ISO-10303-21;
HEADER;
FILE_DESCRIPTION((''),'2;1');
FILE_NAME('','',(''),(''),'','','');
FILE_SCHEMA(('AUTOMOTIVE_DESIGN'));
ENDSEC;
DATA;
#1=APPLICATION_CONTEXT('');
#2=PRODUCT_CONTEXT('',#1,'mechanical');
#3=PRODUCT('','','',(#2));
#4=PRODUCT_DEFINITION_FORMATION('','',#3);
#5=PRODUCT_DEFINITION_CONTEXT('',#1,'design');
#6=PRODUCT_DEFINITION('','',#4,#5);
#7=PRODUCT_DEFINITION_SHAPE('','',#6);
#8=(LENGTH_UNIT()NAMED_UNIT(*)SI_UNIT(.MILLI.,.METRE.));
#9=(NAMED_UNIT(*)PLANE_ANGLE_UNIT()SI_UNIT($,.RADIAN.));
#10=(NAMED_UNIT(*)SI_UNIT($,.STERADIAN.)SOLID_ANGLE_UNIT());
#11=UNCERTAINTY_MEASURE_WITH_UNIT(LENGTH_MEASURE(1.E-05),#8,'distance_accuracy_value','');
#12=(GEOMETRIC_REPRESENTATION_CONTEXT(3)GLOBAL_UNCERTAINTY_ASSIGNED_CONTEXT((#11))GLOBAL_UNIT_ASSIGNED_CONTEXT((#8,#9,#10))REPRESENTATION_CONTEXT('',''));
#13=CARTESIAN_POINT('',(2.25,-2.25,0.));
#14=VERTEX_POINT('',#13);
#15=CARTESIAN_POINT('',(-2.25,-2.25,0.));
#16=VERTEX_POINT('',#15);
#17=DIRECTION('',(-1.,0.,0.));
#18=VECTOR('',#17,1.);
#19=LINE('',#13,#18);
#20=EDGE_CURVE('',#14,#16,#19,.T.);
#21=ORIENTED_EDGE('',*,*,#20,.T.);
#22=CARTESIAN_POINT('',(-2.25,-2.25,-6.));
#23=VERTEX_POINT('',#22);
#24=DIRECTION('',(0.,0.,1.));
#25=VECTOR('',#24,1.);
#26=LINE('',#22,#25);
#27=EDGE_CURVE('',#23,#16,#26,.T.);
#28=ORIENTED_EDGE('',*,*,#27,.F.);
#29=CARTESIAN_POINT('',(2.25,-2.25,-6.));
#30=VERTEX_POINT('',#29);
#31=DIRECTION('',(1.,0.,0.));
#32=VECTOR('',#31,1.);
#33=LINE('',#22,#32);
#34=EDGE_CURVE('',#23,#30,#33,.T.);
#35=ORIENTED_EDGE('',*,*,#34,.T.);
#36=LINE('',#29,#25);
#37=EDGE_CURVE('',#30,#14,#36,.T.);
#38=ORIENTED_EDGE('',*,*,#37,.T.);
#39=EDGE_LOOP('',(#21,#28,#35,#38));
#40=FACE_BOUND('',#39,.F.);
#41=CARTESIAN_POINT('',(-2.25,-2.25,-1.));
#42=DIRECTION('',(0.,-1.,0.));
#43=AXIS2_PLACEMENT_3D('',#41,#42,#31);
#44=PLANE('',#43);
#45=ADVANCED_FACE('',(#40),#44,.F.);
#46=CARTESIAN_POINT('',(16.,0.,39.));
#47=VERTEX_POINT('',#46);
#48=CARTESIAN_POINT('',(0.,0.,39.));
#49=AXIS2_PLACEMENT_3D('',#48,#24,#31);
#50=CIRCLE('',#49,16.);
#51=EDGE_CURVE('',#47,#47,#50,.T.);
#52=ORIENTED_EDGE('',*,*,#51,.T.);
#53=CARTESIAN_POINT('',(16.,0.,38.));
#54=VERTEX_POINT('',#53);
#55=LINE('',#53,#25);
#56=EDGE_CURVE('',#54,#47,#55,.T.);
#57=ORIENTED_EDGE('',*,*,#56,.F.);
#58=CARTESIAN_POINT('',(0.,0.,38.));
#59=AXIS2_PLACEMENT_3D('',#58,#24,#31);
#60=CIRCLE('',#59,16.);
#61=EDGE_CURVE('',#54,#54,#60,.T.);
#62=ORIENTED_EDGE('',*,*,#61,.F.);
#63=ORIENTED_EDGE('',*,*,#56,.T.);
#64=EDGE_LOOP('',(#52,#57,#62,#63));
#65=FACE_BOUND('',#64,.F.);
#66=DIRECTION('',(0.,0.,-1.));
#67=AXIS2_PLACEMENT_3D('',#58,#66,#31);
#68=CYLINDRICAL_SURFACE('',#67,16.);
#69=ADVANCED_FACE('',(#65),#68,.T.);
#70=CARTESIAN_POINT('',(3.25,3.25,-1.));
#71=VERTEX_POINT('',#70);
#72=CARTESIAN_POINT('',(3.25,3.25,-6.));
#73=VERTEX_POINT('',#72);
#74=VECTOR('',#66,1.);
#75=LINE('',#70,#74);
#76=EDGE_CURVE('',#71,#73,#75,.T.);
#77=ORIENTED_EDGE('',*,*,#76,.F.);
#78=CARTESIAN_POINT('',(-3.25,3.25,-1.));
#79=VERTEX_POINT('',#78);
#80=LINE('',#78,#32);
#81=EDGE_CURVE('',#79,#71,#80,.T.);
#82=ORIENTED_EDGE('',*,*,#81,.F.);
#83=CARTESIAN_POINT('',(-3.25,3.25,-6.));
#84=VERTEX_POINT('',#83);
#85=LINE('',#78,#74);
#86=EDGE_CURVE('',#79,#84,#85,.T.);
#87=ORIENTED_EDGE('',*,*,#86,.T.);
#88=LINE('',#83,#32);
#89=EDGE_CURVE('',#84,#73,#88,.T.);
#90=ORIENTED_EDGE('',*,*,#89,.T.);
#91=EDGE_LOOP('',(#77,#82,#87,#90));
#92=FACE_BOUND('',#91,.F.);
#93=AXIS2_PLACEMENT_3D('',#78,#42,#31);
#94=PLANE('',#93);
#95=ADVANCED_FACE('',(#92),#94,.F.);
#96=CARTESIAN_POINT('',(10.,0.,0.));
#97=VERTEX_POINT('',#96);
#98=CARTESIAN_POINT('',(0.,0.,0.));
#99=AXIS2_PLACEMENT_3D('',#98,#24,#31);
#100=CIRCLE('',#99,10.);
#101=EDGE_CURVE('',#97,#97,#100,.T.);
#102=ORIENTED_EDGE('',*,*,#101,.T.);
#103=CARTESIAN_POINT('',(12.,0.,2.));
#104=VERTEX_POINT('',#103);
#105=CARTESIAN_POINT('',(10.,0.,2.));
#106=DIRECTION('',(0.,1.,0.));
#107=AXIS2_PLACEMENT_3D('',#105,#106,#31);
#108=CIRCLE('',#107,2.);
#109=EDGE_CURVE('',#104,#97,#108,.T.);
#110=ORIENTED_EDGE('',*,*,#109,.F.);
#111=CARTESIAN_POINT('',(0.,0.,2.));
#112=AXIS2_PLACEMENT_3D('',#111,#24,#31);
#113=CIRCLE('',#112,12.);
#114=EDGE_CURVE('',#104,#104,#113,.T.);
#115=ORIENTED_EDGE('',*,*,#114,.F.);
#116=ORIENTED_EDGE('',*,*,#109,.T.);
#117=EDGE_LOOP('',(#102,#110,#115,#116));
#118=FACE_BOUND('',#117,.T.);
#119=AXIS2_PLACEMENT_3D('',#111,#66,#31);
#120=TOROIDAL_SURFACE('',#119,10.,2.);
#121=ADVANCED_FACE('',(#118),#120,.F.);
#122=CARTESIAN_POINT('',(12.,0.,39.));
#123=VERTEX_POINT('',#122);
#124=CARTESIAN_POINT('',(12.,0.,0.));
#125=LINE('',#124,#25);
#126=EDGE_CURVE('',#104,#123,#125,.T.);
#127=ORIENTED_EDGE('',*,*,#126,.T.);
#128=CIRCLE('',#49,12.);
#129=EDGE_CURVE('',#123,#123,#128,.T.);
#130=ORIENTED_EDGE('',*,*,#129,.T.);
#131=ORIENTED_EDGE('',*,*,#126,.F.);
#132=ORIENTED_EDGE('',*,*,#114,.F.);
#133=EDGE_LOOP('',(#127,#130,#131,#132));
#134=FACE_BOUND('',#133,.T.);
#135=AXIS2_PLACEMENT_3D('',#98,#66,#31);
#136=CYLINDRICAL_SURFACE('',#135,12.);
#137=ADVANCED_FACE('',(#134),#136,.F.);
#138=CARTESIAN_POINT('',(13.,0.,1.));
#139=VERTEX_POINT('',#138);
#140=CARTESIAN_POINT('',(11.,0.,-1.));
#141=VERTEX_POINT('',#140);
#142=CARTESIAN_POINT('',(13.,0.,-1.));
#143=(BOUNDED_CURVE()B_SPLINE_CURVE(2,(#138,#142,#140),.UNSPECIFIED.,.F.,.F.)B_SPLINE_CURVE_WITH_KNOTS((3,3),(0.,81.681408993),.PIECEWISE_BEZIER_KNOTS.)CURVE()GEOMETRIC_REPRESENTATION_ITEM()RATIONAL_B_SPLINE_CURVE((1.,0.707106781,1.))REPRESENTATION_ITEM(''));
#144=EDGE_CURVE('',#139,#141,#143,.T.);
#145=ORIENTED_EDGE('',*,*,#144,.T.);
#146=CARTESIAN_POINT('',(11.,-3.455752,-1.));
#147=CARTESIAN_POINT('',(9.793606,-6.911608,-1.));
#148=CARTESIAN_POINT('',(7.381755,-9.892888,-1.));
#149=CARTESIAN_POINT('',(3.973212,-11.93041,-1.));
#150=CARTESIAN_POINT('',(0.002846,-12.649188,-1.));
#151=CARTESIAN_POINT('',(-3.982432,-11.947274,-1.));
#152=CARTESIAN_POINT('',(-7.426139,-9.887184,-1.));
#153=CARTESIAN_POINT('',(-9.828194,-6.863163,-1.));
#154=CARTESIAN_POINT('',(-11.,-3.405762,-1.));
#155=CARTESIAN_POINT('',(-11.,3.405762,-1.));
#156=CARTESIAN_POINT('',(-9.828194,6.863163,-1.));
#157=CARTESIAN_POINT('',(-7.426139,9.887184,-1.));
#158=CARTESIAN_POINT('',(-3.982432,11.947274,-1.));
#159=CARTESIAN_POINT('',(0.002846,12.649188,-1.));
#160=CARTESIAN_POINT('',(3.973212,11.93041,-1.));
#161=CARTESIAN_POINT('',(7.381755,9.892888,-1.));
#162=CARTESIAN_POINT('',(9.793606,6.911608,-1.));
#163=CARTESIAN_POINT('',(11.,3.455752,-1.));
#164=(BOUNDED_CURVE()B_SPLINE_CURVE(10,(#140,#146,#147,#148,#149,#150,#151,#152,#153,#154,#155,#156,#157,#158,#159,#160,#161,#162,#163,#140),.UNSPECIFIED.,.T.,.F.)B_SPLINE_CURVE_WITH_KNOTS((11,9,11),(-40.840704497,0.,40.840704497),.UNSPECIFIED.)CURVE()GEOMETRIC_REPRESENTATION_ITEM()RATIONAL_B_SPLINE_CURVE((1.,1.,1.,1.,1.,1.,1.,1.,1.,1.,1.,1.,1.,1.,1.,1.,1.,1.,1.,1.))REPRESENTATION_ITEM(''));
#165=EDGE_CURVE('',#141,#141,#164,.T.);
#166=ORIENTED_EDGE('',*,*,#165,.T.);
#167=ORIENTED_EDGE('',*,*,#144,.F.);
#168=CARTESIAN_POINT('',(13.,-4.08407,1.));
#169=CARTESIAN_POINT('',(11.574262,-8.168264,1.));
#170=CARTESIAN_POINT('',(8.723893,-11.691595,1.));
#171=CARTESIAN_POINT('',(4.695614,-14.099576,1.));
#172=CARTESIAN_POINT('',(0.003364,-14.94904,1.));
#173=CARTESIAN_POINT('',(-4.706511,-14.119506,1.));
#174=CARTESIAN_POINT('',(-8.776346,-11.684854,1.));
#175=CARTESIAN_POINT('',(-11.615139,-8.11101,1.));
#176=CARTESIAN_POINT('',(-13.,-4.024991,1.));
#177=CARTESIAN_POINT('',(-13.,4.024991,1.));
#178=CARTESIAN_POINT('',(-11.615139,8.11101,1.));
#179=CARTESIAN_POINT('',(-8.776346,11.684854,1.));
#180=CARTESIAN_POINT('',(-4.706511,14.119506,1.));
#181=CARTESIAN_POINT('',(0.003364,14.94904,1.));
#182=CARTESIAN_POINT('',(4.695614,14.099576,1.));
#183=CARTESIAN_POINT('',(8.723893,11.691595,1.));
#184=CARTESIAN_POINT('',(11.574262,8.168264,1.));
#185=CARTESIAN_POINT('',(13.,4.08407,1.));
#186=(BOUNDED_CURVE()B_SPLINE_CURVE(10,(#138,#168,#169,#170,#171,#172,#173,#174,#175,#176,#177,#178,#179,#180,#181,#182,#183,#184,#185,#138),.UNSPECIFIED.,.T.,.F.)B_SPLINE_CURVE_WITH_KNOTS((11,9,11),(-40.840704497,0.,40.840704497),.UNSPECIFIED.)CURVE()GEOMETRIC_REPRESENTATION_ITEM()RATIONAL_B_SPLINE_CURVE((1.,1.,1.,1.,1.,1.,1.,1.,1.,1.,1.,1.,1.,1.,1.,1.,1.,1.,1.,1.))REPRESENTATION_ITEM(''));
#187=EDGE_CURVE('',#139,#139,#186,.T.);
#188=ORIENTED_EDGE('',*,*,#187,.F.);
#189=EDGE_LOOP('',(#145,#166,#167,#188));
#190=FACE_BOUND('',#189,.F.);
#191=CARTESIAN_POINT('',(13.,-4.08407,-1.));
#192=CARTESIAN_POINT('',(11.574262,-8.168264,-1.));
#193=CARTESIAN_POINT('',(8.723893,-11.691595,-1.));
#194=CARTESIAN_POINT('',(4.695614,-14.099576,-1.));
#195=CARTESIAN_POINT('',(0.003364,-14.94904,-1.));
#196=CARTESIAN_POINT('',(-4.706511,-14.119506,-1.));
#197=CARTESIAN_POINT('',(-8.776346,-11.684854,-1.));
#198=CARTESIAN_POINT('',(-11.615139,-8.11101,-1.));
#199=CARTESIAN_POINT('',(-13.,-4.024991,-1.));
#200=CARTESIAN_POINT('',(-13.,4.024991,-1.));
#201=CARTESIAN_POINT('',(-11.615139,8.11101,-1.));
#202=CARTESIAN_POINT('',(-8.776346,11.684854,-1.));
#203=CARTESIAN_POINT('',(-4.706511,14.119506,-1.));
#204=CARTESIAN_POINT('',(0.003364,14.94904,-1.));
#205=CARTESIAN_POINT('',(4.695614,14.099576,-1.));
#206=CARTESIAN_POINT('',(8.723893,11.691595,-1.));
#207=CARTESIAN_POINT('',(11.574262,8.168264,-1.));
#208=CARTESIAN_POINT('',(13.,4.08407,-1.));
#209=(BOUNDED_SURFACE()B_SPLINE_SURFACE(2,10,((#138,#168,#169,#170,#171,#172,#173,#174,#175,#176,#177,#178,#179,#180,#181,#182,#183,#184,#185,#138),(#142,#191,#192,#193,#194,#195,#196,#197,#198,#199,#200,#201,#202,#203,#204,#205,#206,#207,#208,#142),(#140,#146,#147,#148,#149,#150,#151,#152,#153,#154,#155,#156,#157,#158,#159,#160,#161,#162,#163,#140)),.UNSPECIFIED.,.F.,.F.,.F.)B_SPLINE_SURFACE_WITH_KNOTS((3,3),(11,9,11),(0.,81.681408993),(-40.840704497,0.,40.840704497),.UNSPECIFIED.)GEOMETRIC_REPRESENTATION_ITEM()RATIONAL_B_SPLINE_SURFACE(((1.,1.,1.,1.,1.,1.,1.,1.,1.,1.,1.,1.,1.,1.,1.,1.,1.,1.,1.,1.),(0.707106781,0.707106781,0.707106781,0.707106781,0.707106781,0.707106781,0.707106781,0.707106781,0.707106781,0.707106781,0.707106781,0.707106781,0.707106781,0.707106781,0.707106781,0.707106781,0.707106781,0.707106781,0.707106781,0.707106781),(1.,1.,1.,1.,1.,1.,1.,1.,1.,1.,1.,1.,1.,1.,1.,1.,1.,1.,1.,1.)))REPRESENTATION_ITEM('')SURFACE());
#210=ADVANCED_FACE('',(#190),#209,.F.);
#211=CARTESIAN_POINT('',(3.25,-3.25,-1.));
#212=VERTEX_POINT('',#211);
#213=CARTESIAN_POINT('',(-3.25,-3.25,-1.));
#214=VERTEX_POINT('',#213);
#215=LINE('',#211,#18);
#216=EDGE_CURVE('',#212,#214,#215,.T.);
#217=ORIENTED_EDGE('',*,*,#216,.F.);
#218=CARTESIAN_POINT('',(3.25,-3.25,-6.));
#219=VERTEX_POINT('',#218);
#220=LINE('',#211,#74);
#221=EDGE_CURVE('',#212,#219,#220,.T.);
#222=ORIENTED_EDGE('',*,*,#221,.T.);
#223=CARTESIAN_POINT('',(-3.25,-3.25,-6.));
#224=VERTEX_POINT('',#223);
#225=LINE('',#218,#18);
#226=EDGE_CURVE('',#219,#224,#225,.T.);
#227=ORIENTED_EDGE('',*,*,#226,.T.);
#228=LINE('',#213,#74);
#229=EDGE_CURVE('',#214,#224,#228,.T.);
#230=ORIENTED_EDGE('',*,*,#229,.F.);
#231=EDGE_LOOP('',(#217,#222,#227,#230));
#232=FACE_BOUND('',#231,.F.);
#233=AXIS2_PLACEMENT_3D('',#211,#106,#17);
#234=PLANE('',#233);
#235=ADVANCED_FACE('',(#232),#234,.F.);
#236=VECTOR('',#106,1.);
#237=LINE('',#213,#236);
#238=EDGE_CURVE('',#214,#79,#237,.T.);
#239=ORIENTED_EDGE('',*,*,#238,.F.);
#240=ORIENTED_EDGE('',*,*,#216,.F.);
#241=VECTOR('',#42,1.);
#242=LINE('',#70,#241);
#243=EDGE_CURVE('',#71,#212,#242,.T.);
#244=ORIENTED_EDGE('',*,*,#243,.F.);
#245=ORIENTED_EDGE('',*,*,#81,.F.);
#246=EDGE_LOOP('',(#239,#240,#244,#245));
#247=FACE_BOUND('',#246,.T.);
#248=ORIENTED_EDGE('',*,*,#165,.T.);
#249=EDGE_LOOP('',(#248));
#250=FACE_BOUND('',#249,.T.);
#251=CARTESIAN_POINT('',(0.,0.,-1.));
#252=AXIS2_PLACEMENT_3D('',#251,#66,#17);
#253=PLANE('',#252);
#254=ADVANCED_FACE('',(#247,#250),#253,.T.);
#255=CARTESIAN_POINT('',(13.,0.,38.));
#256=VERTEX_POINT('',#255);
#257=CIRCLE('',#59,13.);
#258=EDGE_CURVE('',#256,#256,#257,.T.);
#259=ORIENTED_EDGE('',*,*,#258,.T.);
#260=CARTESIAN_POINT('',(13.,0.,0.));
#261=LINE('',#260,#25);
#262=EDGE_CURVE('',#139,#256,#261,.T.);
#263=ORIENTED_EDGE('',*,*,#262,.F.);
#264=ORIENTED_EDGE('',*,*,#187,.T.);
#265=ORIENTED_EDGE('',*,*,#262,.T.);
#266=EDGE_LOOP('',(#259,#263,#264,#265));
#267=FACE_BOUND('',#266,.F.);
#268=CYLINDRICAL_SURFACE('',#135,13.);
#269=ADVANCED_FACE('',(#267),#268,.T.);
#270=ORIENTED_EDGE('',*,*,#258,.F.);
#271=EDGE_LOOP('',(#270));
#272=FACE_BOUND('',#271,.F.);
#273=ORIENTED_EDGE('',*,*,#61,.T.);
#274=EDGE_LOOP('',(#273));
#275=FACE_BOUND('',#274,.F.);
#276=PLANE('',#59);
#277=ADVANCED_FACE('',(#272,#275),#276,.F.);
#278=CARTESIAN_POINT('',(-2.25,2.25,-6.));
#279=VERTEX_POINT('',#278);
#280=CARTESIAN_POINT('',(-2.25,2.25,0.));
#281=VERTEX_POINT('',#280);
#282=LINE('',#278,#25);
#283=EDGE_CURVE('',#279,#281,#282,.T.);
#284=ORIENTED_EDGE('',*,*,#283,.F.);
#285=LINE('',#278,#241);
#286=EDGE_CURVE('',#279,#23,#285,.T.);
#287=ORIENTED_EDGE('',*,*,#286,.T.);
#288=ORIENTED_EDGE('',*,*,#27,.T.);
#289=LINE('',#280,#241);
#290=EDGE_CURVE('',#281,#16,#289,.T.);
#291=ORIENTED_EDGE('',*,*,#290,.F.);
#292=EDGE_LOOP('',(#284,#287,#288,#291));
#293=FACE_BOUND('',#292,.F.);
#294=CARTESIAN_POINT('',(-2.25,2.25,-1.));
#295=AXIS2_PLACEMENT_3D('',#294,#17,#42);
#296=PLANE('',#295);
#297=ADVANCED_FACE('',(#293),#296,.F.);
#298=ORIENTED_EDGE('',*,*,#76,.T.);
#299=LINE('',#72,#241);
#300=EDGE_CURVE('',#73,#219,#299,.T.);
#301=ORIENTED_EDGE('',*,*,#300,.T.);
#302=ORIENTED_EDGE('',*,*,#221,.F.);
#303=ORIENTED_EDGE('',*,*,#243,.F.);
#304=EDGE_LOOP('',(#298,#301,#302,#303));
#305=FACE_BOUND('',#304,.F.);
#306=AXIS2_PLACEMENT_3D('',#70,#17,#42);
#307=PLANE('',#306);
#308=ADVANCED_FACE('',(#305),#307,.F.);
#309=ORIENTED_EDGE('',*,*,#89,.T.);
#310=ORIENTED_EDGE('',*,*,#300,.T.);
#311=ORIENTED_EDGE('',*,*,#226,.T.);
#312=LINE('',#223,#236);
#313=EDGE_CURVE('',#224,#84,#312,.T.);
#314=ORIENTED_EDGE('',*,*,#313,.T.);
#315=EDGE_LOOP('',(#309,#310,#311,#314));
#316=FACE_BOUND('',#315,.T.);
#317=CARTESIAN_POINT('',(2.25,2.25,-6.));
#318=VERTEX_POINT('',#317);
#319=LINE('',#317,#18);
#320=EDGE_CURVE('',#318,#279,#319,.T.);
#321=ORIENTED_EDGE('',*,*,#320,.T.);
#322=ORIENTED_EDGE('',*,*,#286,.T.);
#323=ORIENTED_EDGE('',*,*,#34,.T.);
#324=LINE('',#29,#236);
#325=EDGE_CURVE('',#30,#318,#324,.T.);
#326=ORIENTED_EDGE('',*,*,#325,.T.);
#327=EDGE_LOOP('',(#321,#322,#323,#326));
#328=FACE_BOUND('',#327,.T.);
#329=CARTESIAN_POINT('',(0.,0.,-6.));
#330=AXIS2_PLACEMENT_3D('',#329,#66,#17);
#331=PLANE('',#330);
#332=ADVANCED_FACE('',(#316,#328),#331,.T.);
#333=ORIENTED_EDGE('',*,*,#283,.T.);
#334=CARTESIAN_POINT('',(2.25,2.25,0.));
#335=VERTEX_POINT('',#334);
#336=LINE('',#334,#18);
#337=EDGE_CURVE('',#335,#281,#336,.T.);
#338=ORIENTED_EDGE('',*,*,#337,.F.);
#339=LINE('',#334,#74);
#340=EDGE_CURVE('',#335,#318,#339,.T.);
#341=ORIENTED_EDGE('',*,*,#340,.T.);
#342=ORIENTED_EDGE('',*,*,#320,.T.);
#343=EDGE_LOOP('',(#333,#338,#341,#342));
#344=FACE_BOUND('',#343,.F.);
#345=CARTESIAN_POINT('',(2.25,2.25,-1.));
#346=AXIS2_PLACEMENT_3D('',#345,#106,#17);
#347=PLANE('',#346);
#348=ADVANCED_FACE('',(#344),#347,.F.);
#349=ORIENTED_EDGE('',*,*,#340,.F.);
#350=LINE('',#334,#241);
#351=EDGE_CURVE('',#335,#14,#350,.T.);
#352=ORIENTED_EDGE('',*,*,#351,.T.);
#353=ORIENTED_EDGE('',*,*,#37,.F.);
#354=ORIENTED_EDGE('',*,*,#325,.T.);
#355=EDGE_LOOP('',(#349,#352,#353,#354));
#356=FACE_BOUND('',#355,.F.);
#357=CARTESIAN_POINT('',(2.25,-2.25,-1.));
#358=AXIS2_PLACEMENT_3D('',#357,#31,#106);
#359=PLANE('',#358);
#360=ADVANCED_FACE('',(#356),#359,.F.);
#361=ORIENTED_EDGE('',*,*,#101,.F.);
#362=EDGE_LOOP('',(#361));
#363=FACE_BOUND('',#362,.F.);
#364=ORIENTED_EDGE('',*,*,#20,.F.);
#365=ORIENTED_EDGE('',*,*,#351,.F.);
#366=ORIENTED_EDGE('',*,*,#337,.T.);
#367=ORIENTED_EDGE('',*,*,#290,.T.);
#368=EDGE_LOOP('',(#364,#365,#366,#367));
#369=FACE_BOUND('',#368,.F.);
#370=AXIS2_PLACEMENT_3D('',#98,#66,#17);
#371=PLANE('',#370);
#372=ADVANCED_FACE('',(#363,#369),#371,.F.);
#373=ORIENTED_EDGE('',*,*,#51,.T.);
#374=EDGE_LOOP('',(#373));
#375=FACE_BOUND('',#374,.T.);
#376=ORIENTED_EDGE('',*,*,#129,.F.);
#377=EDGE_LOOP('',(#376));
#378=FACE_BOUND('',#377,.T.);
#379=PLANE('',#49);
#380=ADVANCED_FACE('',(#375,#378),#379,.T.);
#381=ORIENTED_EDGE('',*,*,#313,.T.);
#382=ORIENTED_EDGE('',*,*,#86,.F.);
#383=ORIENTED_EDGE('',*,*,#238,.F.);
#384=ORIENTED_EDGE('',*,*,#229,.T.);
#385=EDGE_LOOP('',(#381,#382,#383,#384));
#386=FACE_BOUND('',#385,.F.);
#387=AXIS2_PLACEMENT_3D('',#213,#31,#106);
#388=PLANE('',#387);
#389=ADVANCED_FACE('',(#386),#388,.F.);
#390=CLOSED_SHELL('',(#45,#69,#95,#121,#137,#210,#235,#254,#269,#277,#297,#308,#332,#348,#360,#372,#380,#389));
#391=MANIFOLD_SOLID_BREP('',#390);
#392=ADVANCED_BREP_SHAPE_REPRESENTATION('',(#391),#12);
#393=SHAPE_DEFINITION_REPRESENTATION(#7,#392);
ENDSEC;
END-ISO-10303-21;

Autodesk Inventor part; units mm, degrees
ref_plane "YZ Plane" through (0, 0, 0) normal (1, 0, 0) x (0, 1, 0)
ref_plane "XZ Plane" through (0, 0, 0) normal (0, 1, 0) x (-1, 0, 0)
ref_plane "XY Plane" through (0, 0, 0) normal (0, 0, 1) x (1, 0, 0)
sketch "Эскиз1" plane through (0, 0, 0) normal (0, 0, 1) x (1, 0, 0)
  circle A0 centre (0, 0) radius 13
  circle A1 centre (0, 0) radius 12
  dimension "d0" = 26
  dimension "d1" = 24
extrude "Выдавливание1" add sketch "Эскиз1" along normal blind 38
sketch "Эскиз2" plane through (0, 0, 38) normal (0, 0, 1) x (1, 0, 0)
  circle A0 centre (0, 0) radius 16
  circle A1 centre (0, 0) radius 12
  dimension "d4" = 32
  dimension "d5" = 24
extrude "Выдавливание2" add sketch "Эскиз2" along normal blind 1
sketch "Эскиз3" plane through (0, 0, 0) normal (0, 0, -1) x (-1, 0, 0)
  circle A0 centre (0, 0) radius 13 projected
extrude "Выдавливание3" add sketch "Эскиз3" along normal blind 1
fillet "Сопряжение1" radius 2 1 edges at (-12, 0, 0)
fillet "Сопряжение2" radius 2 1 edges at (13, 0, -1)
sketch "Эскиз4" plane through (0, 0, -1) normal (0, 0, -1) x (-1, 0, 0)
  line L0 (-2.25, -2.25) -> (2.25, -2.25)
  line L1 (2.25, -2.25) -> (2.25, 2.25)
  line L2 (2.25, 2.25) -> (-2.25, 2.25)
  line L3 (-2.25, 2.25) -> (-2.25, -2.25)
  line L4 (22.4, 0) -> (-22.4, 0) projected
  line L5 (0, -22.4) -> (0, 22.4) projected
  point P0 (0, 0)
  dimension "d12" = 4.5
  dimension "d13" = 4.5
extrude "Выдавливание4" cut sketch "Эскиз4" against normal blind 1
sketch "Эскиз5" plane through (0, 0, -1) normal (0, 0, -1) x (-1, 0, 0)
  line L0 (-2.25, 2.25) -> (2.25, 2.25) projected
  line L1 (-2.25, -2.25) -> (-2.25, 2.25) projected
  line L2 (2.25, -2.25) -> (-2.25, -2.25) projected
  line L3 (2.25, 2.25) -> (2.25, -2.25) projected
  line L4 (-3.25, -3.25) -> (3.25, -3.25)
  line L5 (3.25, -3.25) -> (3.25, 3.25)
  line L6 (3.25, 3.25) -> (-3.25, 3.25)
  line L7 (-3.25, 3.25) -> (-3.25, -3.25)
  point P0 (0, 0)
  dimension "d16" = 1
  dimension "d17" = 1
  dimension "d18" = 1
  dimension "d19" = 1
extrude "Выдавливание5" add sketch "Эскиз5" along normal blind 5
properties part number "насадка для катпака"
